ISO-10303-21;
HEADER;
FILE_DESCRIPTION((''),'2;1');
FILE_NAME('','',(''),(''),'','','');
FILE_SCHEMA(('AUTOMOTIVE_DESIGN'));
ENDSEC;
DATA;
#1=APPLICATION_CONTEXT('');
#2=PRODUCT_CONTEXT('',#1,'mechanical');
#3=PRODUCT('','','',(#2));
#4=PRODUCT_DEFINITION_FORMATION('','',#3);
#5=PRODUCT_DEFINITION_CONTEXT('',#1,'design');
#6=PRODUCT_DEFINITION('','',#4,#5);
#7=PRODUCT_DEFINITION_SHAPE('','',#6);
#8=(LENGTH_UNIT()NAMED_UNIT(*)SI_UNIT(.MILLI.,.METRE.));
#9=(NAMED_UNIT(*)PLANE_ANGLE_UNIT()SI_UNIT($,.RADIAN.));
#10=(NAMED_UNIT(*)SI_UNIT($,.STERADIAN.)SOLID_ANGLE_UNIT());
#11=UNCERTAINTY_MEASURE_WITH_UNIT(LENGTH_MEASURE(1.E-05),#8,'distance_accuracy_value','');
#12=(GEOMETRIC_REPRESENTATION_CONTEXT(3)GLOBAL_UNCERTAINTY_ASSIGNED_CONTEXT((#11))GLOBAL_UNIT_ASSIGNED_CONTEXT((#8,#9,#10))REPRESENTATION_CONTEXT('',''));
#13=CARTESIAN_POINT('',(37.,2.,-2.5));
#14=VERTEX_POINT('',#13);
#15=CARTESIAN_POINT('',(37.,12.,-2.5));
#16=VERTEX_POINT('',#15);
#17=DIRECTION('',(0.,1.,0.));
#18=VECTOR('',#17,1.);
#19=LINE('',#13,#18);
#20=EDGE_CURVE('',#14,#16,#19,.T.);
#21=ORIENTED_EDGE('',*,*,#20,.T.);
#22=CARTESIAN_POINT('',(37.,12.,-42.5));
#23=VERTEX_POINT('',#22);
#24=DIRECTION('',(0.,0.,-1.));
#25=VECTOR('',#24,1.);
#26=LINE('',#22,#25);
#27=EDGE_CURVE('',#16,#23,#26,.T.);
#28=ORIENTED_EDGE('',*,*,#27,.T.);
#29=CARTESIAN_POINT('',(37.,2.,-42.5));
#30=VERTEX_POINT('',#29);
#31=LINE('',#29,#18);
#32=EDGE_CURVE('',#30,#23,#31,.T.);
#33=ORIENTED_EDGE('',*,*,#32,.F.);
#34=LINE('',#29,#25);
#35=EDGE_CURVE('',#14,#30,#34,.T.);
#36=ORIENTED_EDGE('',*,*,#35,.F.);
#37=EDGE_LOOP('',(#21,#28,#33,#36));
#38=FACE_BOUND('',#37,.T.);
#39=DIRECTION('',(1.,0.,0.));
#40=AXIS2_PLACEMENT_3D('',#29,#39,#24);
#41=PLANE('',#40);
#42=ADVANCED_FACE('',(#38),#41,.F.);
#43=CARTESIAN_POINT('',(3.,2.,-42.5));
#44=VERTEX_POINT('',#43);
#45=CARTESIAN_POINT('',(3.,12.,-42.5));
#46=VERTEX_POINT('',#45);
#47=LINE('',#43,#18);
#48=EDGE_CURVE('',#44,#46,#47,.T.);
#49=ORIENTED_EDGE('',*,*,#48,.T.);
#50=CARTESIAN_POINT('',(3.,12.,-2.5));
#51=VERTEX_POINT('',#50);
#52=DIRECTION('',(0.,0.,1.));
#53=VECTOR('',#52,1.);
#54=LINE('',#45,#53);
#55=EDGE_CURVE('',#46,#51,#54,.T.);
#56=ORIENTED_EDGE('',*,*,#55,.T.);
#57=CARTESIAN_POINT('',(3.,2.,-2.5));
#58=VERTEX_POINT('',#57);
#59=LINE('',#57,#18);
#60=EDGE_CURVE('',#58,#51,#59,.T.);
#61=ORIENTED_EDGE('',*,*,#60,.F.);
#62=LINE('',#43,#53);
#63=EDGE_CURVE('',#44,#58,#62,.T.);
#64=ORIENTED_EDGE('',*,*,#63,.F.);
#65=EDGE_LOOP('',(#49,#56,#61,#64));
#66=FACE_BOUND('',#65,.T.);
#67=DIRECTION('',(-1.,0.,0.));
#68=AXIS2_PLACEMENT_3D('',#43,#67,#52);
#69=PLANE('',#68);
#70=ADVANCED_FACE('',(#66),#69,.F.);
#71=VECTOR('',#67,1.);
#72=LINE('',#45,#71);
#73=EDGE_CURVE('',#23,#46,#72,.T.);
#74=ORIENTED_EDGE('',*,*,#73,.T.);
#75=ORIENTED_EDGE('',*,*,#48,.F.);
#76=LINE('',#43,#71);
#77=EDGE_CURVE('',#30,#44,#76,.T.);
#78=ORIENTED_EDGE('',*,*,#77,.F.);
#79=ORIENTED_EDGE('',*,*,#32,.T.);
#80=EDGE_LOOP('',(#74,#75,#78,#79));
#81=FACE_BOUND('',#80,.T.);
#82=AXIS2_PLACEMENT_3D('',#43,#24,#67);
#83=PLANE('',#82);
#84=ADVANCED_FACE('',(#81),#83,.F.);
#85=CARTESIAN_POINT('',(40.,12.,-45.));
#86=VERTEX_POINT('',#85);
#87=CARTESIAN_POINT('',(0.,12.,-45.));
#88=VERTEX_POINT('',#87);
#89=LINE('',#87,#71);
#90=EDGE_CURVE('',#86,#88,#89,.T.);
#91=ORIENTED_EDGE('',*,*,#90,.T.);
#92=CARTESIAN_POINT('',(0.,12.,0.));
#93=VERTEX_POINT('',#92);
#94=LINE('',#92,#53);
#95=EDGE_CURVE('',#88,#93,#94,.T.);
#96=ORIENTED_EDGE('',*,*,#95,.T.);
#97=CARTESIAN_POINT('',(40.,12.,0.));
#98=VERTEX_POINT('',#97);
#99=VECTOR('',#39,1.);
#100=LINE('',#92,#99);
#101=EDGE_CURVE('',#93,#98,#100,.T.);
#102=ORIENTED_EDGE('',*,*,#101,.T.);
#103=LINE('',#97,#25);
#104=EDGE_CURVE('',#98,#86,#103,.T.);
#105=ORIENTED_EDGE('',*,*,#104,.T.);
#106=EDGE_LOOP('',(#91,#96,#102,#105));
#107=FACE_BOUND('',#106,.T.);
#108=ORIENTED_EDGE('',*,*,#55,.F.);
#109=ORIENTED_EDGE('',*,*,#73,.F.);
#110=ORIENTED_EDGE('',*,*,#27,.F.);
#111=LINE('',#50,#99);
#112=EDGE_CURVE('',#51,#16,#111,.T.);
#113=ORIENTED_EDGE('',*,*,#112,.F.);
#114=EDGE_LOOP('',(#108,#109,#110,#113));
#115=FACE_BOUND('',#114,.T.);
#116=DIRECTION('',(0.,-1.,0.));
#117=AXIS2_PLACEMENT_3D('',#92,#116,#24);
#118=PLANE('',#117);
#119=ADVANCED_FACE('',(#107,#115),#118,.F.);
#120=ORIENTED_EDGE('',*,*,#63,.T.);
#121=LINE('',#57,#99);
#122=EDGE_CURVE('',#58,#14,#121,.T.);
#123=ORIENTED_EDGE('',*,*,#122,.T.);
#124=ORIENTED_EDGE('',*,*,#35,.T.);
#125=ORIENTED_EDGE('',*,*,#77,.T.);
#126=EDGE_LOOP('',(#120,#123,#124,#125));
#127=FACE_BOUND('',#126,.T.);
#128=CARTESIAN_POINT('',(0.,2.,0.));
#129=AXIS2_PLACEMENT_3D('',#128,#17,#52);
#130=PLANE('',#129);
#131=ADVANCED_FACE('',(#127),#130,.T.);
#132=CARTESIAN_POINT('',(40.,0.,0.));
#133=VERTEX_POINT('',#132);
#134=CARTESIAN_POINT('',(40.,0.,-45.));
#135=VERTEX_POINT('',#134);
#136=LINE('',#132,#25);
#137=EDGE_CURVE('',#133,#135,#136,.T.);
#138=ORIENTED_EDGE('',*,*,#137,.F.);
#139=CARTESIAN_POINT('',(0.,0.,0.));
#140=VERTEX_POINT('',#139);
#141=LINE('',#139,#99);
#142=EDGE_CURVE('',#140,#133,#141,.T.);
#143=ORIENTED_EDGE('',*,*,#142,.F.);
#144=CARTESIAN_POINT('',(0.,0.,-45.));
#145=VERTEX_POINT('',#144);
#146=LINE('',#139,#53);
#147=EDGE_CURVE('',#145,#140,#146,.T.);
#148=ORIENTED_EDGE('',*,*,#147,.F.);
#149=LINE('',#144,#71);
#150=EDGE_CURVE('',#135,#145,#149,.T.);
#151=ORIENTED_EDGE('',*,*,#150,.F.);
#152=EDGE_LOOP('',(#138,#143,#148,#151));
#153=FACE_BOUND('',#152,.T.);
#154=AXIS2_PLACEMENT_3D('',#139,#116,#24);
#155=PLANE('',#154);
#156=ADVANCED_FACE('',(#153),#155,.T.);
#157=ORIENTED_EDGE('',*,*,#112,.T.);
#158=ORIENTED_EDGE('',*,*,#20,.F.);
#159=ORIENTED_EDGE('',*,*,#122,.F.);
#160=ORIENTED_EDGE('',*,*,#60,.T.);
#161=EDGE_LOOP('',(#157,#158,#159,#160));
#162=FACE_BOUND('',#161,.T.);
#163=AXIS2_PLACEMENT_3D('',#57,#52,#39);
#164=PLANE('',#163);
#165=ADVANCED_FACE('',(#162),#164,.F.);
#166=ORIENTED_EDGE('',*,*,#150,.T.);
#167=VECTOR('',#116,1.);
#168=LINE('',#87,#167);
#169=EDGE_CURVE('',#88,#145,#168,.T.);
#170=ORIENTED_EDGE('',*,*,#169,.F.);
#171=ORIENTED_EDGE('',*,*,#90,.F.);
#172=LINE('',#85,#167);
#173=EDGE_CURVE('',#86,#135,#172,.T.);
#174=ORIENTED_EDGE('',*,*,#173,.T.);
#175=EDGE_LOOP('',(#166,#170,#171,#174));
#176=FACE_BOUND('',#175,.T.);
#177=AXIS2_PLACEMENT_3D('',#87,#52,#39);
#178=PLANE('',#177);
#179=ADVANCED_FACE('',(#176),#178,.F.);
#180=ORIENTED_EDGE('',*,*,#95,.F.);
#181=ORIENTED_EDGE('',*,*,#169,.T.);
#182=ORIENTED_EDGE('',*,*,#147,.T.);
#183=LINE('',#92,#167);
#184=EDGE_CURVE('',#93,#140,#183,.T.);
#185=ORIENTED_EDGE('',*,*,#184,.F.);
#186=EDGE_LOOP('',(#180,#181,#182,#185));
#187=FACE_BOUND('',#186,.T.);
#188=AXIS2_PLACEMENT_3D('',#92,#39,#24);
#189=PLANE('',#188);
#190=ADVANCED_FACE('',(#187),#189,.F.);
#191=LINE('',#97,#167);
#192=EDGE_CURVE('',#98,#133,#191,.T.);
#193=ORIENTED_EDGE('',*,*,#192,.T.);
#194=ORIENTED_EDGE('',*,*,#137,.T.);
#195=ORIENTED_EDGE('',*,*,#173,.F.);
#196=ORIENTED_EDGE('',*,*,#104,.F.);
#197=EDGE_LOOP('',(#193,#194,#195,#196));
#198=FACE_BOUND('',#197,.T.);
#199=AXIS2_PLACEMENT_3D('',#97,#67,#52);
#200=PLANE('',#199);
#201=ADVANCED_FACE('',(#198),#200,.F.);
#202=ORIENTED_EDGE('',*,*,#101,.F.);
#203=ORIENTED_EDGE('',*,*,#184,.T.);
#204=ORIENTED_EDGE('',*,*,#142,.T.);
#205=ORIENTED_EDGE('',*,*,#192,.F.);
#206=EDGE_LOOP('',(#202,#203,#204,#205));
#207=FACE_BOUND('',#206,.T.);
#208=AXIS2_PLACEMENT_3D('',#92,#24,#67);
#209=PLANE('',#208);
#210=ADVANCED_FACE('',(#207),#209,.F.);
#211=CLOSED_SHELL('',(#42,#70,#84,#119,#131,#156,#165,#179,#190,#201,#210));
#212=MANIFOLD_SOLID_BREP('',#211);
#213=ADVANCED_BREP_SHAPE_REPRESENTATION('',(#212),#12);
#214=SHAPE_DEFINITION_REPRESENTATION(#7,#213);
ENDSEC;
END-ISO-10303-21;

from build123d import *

# Parameters (mm, degrees)
SKETCH1_W           = 40
SKETCH1_H           = 45
BOSS_EXTRUDE1_DEPTH = 12
SKETCH2_W           = 34
SKETCH2_H           = 40
CUT_EXTRUDE1_DEPTH  = 10


with BuildPart() as part:
    # Sketch1 → Boss-Extrude1 (new body)
    with BuildSketch(Plane(origin=(0, 0, 0), x_dir=(1, 0, 0), z_dir=(0, 1, 0))):
        with Locations((20, 22.5)):
            Rectangle(SKETCH1_W, SKETCH1_H)
    extrude(amount=BOSS_EXTRUDE1_DEPTH)

    # Sketch2 → Cut-Extrude1 (cut)
    with BuildSketch(Plane(origin=(0, 12, 0), x_dir=(1, 0, 0), z_dir=(0, 1, 0))):
        with Locations((20, 22.5)):
            Rectangle(SKETCH2_W, SKETCH2_H)
    extrude(amount=-CUT_EXTRUDE1_DEPTH, mode=Mode.SUBTRACT)


solid = part.part
